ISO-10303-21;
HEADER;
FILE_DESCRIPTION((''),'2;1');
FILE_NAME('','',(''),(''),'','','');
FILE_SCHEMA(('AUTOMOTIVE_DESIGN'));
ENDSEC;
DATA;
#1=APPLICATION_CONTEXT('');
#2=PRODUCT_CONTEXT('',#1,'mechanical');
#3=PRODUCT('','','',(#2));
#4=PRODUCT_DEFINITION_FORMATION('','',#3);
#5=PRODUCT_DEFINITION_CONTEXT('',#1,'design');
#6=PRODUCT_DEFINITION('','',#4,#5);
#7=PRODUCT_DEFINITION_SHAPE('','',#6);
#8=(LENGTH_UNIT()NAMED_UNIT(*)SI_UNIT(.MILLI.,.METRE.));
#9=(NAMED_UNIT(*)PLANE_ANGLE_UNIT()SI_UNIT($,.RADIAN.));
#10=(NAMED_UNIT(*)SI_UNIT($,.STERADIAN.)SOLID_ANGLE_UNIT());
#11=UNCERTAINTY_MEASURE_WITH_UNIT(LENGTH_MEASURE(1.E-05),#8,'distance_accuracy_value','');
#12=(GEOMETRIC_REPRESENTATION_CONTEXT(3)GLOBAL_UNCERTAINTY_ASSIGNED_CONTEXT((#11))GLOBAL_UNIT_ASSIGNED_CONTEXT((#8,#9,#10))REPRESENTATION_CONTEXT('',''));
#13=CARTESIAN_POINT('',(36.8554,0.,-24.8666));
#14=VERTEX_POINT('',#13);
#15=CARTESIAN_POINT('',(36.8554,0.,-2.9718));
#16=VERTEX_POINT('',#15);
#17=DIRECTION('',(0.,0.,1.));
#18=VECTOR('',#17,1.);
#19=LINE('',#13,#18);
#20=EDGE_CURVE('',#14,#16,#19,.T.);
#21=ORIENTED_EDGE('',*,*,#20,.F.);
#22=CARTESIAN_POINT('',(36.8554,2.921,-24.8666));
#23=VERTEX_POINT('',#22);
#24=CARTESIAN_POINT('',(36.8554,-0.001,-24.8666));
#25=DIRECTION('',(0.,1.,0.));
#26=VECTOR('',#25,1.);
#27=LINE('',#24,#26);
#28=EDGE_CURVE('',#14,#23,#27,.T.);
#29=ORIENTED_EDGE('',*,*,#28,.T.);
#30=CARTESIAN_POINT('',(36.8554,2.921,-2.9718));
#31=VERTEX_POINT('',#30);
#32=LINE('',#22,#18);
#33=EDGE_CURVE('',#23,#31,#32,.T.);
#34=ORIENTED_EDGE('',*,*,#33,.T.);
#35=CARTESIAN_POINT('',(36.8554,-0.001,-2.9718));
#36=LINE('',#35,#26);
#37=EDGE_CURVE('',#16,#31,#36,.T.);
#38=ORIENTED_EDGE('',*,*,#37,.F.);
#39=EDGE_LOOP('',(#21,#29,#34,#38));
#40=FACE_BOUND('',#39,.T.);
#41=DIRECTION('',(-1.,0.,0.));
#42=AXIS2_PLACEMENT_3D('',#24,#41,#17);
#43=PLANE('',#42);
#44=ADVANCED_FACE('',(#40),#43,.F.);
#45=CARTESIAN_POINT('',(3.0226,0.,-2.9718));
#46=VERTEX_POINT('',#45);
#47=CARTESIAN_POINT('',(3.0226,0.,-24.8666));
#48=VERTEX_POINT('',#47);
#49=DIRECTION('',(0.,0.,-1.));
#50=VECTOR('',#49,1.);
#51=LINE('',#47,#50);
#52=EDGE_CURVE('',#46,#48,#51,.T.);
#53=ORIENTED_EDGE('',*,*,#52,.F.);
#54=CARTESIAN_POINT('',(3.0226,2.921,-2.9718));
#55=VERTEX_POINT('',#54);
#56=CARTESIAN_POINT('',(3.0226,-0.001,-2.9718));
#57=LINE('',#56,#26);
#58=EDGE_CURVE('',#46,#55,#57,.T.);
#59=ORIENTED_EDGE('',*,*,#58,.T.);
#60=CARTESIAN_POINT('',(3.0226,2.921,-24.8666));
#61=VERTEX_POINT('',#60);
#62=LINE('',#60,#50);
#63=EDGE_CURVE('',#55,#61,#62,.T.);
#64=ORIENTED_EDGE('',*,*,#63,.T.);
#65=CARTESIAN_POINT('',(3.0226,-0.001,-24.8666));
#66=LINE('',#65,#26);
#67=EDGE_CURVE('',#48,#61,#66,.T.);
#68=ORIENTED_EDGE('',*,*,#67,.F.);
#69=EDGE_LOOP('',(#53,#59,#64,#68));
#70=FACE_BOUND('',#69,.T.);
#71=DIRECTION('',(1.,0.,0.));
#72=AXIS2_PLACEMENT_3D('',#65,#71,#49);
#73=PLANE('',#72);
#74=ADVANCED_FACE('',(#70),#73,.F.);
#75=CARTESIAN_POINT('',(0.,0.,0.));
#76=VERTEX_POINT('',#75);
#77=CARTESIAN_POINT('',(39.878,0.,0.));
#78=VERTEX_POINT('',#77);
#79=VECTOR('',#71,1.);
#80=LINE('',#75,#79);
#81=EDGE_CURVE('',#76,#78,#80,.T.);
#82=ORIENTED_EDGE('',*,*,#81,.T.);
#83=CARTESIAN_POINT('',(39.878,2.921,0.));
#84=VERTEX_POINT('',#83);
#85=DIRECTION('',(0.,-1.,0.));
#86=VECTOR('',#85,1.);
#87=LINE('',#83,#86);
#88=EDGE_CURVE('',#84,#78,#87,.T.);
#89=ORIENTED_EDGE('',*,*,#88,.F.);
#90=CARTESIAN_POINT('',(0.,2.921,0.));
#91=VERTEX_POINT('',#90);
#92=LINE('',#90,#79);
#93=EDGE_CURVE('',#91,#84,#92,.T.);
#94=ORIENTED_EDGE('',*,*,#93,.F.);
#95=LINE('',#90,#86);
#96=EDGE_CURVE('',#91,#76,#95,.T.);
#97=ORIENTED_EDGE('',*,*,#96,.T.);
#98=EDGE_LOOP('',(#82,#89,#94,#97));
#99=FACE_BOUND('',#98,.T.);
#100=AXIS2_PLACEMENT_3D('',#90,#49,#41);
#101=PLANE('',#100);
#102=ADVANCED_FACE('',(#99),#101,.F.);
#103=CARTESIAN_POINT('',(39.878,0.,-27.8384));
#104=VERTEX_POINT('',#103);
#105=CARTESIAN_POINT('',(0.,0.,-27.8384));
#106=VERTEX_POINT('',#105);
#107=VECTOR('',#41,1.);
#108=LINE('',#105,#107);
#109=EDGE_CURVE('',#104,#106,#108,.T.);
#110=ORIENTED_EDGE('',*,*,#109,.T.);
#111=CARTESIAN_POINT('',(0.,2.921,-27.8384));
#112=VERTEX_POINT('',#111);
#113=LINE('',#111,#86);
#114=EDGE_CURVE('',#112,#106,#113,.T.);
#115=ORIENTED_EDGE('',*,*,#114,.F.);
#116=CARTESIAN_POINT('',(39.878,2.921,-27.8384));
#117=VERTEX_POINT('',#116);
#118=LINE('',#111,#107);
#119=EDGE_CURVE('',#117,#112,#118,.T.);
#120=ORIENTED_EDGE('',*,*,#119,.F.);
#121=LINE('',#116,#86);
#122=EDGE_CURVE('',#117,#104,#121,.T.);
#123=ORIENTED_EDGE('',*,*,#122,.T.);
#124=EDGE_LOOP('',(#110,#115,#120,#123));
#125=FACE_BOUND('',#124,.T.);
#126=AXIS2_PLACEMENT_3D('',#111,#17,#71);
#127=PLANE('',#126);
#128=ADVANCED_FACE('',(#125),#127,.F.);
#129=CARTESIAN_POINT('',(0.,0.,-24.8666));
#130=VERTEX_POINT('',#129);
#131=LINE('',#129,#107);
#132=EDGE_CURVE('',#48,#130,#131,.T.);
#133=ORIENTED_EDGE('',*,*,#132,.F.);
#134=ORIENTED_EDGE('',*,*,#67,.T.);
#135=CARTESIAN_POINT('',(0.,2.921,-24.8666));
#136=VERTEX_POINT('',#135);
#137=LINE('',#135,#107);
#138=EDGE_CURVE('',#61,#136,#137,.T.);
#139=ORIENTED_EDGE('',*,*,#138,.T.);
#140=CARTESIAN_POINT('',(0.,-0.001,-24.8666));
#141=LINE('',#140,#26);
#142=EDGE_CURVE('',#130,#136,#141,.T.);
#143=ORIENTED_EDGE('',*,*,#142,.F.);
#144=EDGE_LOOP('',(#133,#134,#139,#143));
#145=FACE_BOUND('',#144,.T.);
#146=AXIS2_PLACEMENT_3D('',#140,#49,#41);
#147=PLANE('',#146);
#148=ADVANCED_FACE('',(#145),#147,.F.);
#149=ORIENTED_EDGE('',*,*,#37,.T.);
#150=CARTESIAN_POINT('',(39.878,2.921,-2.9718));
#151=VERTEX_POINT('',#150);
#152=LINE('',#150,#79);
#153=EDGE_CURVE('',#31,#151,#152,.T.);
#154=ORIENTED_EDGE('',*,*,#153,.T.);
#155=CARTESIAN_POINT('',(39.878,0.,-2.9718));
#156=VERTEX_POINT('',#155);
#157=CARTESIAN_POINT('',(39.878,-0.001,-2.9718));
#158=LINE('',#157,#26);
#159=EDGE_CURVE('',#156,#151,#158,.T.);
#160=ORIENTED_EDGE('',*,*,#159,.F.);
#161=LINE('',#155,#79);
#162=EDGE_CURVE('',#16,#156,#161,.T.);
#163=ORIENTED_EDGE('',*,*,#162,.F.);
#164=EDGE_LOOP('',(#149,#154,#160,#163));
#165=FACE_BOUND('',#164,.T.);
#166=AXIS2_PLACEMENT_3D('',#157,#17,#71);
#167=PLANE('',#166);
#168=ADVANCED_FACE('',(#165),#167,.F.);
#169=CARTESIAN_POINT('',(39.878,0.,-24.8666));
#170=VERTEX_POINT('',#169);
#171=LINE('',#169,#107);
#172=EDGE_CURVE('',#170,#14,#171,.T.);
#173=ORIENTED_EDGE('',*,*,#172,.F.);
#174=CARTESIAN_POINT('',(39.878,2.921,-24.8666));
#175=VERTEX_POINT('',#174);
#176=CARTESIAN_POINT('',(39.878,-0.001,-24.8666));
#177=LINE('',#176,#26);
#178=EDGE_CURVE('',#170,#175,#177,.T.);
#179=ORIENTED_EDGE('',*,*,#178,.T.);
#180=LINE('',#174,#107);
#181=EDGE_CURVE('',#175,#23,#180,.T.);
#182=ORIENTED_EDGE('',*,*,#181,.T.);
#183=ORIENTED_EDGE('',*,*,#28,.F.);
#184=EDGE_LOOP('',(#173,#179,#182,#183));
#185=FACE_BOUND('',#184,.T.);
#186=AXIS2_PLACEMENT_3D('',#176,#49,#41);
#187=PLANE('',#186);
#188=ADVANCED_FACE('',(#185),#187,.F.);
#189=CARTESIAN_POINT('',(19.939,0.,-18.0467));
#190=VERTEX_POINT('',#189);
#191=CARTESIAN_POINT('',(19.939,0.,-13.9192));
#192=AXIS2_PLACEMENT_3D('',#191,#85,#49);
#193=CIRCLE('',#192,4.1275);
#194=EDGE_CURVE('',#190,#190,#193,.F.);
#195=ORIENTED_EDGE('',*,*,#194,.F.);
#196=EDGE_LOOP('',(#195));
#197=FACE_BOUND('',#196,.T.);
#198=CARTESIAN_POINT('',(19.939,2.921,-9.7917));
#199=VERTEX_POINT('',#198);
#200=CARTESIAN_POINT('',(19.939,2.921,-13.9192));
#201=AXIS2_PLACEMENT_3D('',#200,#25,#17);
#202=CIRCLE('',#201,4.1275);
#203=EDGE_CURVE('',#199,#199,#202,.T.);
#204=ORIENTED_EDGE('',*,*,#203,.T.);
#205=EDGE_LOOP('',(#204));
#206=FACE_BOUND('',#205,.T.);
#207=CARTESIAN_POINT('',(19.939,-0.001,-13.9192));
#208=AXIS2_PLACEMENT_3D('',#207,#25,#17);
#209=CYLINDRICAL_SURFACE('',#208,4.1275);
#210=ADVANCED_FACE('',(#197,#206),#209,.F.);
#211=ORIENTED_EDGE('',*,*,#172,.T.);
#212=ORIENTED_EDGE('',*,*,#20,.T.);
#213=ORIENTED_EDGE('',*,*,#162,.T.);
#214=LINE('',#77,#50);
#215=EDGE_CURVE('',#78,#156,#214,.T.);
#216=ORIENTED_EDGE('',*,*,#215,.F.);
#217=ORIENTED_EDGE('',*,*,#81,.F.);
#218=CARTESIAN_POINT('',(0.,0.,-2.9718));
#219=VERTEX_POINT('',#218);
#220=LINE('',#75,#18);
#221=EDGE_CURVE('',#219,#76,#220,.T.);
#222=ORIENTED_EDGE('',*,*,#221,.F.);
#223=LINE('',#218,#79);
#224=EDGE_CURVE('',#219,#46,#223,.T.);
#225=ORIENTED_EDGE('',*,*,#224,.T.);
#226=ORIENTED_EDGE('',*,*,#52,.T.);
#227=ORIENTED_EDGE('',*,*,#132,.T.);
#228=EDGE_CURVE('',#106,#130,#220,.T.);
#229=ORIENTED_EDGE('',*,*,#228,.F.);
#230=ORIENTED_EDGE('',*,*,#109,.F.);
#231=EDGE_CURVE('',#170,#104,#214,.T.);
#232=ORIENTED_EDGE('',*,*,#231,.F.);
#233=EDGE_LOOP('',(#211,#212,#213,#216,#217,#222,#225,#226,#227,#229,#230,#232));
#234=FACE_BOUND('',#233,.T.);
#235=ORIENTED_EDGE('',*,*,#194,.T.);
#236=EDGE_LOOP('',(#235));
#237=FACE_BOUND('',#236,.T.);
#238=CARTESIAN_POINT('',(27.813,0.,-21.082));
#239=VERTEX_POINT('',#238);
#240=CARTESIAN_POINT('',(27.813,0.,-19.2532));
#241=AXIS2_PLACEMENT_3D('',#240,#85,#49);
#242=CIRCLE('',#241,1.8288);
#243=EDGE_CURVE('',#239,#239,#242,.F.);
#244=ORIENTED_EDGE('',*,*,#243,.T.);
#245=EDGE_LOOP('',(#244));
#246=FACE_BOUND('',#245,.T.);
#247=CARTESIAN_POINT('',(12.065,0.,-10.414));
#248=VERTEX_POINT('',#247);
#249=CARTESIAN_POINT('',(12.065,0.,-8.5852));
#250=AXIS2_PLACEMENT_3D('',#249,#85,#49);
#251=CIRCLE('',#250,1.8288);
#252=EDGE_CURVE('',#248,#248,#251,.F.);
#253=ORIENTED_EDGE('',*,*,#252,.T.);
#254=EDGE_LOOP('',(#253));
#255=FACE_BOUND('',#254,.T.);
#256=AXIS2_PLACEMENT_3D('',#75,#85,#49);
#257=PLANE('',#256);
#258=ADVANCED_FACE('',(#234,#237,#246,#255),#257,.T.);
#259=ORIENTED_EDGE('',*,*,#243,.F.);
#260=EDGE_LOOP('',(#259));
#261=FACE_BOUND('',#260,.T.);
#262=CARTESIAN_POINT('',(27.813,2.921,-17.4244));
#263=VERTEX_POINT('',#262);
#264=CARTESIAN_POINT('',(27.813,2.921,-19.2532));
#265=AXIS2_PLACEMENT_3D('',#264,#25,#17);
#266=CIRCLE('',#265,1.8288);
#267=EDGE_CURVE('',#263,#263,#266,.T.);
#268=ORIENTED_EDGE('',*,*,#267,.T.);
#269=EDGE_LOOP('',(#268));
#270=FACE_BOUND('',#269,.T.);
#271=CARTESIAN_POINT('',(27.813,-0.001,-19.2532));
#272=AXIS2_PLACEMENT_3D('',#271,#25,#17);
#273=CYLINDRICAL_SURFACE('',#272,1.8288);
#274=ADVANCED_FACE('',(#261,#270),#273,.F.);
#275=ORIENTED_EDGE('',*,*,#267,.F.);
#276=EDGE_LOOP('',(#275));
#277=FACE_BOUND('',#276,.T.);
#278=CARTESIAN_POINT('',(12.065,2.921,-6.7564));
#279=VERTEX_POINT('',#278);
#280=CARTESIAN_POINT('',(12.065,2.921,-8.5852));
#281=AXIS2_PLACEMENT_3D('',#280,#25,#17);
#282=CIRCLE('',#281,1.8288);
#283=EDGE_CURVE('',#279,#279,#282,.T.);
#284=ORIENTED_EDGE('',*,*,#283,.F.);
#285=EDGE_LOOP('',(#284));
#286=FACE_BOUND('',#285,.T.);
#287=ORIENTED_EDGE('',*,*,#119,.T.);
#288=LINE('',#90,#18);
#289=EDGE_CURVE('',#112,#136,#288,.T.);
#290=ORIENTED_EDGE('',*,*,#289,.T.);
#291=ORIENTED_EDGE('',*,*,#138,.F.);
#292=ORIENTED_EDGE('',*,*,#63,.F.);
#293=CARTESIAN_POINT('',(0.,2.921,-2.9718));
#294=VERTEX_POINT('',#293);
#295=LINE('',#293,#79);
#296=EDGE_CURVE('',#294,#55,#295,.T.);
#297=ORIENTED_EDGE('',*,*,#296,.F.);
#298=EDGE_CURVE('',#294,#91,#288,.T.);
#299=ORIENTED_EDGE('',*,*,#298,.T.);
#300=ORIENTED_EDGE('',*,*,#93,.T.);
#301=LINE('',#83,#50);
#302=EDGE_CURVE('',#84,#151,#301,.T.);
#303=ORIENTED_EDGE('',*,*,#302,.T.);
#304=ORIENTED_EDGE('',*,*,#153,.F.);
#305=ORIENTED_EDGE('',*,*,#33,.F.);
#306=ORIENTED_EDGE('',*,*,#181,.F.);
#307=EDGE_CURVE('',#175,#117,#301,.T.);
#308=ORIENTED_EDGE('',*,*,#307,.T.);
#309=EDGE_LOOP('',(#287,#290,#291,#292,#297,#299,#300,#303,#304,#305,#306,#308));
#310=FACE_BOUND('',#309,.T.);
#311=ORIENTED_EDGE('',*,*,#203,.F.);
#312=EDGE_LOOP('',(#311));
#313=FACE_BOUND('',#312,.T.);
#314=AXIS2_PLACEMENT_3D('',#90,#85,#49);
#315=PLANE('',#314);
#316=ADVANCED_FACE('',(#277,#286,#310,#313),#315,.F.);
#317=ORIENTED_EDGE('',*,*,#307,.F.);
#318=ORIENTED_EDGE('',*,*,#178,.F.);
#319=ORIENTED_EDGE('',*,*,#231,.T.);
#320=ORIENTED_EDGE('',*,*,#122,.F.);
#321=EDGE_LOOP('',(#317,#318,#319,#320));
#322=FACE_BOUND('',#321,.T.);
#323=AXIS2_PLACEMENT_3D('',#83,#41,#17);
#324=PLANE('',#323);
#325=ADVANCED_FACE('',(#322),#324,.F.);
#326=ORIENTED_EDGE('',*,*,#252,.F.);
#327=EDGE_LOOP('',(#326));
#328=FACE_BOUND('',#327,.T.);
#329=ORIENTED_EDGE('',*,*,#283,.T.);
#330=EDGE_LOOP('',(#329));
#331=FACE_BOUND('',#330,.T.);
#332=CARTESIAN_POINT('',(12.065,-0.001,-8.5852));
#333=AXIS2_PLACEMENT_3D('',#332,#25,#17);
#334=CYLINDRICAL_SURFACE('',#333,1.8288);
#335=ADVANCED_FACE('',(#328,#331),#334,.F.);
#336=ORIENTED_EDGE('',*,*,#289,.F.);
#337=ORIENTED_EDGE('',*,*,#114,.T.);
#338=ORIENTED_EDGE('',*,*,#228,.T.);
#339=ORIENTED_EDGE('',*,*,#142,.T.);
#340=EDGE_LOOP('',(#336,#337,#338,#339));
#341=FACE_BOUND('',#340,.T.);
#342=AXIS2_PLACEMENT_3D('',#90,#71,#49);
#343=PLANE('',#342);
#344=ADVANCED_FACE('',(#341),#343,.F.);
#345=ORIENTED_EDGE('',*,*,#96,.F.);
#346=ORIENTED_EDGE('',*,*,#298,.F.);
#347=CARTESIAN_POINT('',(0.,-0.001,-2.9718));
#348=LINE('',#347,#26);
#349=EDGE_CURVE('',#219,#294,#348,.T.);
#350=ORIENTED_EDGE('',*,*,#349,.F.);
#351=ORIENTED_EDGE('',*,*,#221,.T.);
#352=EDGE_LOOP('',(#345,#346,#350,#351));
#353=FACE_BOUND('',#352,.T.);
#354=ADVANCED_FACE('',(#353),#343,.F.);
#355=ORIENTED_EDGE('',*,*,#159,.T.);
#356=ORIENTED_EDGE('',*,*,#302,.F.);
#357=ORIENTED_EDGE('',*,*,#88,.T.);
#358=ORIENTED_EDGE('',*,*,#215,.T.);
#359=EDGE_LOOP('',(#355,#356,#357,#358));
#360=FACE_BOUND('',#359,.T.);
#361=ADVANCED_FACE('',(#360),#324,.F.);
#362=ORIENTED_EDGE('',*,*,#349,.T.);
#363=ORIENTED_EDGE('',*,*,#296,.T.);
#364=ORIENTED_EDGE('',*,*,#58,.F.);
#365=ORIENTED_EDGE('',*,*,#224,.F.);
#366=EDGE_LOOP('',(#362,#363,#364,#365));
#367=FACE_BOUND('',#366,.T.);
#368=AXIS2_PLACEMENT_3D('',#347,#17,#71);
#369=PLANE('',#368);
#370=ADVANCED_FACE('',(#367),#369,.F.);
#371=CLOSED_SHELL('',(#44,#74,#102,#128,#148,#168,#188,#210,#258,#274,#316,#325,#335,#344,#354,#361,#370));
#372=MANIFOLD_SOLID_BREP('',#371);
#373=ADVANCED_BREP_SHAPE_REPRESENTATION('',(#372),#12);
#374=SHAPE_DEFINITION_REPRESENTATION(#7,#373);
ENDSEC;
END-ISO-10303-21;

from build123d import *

# Parameters (mm, degrees)
SKETCH1_W           = 39.878
SKETCH1_H           = 27.8384
BOSS_EXTRUDE1_DEPTH = 2.921
CUT_EXTRUDE2_REACH  = 50.721
SKETCH3_W           = 3.0226
SKETCH3_H           = 21.8948
CUT_EXTRUDE1_REACH  = 50.721
SKETCH2_R           = 4.1275
SKETCH2_R_2         = 1.8288


with BuildPart() as part:
    # Sketch1 → Boss-Extrude1 (new body)
    with BuildSketch(Plane(origin=(0, 0, 0), x_dir=(1, 0, 0), z_dir=(0, 1, 0))):
        with Locations((19.939, 13.9192)):
            Rectangle(SKETCH1_W, SKETCH1_H)
    extrude(amount=BOSS_EXTRUDE1_DEPTH)

    # Sketch3 → Cut-Extrude2 (cut, up to next)
    with BuildSketch(Plane(origin=(0, 2.921, 0), x_dir=(1, 0, 0), z_dir=(0, 1, 0)), mode=Mode.PRIVATE) as cut_extrude2_sk1:
        with Locations((1.5113, 13.9192)):
            Rectangle(SKETCH3_W, SKETCH3_H)
    cut_extrude2_tool1 = extrude(cut_extrude2_sk1.sketch, amount=-CUT_EXTRUDE2_REACH, mode=Mode.PRIVATE) & part.part
    # Sketch3 → Cut-Extrude2 (cut, up to next)
    with BuildSketch(Plane(origin=(0, 2.921, 0), x_dir=(1, 0, 0), z_dir=(0, 1, 0)), mode=Mode.PRIVATE) as cut_extrude2_sk2:
        with Locations((38.3667, 13.9192)):
            Rectangle(SKETCH3_W, SKETCH3_H)
    cut_extrude2_tool2 = extrude(cut_extrude2_sk2.sketch, amount=-CUT_EXTRUDE2_REACH, mode=Mode.PRIVATE) & part.part
    add(cut_extrude2_tool1.solids().sort_by_distance((1.5113, 2.921, -13.9192))[0], mode=Mode.SUBTRACT)
    add(cut_extrude2_tool2.solids().sort_by_distance((38.3667, 2.921, -13.9192))[0], mode=Mode.SUBTRACT)

    # Sketch2 → Cut-Extrude1 (cut, up to next)
    with BuildSketch(Plane(origin=(0, 2.921, 0), x_dir=(1, 0, 0), z_dir=(0, 1, 0)), mode=Mode.PRIVATE) as cut_extrude1_sk1:
        with Locations(Location((19.939, 13.9192, 0), (0, 0, 270))):
            Circle(SKETCH2_R)
    cut_extrude1_tool1 = extrude(cut_extrude1_sk1.sketch, amount=-CUT_EXTRUDE1_REACH, mode=Mode.PRIVATE) & part.part
    # Sketch2 → Cut-Extrude1 (cut, up to next)
    with BuildSketch(Plane(origin=(0, 2.921, 0), x_dir=(1, 0, 0), z_dir=(0, 1, 0)), mode=Mode.PRIVATE) as cut_extrude1_sk2:
        with Locations(Location((12.065, 8.5852, 0), (0, 0, 270))):
            Circle(SKETCH2_R_2)
    cut_extrude1_tool2 = extrude(cut_extrude1_sk2.sketch, amount=-CUT_EXTRUDE1_REACH, mode=Mode.PRIVATE) & part.part
    # Sketch2 → Cut-Extrude1 (cut, up to next)
    with BuildSketch(Plane(origin=(0, 2.921, 0), x_dir=(1, 0, 0), z_dir=(0, 1, 0)), mode=Mode.PRIVATE) as cut_extrude1_sk3:
        with Locations(Location((27.813, 19.2532, 0), (0, 0, 270))):
            Circle(SKETCH2_R_2)
    cut_extrude1_tool3 = extrude(cut_extrude1_sk3.sketch, amount=-CUT_EXTRUDE1_REACH, mode=Mode.PRIVATE) & part.part
    add(cut_extrude1_tool1.solids().sort_by_distance((19.939, 2.921, -13.9192))[0], mode=Mode.SUBTRACT)
    add(cut_extrude1_tool2.solids().sort_by_distance((12.065, 2.921, -8.5852))[0], mode=Mode.SUBTRACT)
    add(cut_extrude1_tool3.solids().sort_by_distance((27.813, 2.921, -19.2532))[0], mode=Mode.SUBTRACT)


solid = part.part
